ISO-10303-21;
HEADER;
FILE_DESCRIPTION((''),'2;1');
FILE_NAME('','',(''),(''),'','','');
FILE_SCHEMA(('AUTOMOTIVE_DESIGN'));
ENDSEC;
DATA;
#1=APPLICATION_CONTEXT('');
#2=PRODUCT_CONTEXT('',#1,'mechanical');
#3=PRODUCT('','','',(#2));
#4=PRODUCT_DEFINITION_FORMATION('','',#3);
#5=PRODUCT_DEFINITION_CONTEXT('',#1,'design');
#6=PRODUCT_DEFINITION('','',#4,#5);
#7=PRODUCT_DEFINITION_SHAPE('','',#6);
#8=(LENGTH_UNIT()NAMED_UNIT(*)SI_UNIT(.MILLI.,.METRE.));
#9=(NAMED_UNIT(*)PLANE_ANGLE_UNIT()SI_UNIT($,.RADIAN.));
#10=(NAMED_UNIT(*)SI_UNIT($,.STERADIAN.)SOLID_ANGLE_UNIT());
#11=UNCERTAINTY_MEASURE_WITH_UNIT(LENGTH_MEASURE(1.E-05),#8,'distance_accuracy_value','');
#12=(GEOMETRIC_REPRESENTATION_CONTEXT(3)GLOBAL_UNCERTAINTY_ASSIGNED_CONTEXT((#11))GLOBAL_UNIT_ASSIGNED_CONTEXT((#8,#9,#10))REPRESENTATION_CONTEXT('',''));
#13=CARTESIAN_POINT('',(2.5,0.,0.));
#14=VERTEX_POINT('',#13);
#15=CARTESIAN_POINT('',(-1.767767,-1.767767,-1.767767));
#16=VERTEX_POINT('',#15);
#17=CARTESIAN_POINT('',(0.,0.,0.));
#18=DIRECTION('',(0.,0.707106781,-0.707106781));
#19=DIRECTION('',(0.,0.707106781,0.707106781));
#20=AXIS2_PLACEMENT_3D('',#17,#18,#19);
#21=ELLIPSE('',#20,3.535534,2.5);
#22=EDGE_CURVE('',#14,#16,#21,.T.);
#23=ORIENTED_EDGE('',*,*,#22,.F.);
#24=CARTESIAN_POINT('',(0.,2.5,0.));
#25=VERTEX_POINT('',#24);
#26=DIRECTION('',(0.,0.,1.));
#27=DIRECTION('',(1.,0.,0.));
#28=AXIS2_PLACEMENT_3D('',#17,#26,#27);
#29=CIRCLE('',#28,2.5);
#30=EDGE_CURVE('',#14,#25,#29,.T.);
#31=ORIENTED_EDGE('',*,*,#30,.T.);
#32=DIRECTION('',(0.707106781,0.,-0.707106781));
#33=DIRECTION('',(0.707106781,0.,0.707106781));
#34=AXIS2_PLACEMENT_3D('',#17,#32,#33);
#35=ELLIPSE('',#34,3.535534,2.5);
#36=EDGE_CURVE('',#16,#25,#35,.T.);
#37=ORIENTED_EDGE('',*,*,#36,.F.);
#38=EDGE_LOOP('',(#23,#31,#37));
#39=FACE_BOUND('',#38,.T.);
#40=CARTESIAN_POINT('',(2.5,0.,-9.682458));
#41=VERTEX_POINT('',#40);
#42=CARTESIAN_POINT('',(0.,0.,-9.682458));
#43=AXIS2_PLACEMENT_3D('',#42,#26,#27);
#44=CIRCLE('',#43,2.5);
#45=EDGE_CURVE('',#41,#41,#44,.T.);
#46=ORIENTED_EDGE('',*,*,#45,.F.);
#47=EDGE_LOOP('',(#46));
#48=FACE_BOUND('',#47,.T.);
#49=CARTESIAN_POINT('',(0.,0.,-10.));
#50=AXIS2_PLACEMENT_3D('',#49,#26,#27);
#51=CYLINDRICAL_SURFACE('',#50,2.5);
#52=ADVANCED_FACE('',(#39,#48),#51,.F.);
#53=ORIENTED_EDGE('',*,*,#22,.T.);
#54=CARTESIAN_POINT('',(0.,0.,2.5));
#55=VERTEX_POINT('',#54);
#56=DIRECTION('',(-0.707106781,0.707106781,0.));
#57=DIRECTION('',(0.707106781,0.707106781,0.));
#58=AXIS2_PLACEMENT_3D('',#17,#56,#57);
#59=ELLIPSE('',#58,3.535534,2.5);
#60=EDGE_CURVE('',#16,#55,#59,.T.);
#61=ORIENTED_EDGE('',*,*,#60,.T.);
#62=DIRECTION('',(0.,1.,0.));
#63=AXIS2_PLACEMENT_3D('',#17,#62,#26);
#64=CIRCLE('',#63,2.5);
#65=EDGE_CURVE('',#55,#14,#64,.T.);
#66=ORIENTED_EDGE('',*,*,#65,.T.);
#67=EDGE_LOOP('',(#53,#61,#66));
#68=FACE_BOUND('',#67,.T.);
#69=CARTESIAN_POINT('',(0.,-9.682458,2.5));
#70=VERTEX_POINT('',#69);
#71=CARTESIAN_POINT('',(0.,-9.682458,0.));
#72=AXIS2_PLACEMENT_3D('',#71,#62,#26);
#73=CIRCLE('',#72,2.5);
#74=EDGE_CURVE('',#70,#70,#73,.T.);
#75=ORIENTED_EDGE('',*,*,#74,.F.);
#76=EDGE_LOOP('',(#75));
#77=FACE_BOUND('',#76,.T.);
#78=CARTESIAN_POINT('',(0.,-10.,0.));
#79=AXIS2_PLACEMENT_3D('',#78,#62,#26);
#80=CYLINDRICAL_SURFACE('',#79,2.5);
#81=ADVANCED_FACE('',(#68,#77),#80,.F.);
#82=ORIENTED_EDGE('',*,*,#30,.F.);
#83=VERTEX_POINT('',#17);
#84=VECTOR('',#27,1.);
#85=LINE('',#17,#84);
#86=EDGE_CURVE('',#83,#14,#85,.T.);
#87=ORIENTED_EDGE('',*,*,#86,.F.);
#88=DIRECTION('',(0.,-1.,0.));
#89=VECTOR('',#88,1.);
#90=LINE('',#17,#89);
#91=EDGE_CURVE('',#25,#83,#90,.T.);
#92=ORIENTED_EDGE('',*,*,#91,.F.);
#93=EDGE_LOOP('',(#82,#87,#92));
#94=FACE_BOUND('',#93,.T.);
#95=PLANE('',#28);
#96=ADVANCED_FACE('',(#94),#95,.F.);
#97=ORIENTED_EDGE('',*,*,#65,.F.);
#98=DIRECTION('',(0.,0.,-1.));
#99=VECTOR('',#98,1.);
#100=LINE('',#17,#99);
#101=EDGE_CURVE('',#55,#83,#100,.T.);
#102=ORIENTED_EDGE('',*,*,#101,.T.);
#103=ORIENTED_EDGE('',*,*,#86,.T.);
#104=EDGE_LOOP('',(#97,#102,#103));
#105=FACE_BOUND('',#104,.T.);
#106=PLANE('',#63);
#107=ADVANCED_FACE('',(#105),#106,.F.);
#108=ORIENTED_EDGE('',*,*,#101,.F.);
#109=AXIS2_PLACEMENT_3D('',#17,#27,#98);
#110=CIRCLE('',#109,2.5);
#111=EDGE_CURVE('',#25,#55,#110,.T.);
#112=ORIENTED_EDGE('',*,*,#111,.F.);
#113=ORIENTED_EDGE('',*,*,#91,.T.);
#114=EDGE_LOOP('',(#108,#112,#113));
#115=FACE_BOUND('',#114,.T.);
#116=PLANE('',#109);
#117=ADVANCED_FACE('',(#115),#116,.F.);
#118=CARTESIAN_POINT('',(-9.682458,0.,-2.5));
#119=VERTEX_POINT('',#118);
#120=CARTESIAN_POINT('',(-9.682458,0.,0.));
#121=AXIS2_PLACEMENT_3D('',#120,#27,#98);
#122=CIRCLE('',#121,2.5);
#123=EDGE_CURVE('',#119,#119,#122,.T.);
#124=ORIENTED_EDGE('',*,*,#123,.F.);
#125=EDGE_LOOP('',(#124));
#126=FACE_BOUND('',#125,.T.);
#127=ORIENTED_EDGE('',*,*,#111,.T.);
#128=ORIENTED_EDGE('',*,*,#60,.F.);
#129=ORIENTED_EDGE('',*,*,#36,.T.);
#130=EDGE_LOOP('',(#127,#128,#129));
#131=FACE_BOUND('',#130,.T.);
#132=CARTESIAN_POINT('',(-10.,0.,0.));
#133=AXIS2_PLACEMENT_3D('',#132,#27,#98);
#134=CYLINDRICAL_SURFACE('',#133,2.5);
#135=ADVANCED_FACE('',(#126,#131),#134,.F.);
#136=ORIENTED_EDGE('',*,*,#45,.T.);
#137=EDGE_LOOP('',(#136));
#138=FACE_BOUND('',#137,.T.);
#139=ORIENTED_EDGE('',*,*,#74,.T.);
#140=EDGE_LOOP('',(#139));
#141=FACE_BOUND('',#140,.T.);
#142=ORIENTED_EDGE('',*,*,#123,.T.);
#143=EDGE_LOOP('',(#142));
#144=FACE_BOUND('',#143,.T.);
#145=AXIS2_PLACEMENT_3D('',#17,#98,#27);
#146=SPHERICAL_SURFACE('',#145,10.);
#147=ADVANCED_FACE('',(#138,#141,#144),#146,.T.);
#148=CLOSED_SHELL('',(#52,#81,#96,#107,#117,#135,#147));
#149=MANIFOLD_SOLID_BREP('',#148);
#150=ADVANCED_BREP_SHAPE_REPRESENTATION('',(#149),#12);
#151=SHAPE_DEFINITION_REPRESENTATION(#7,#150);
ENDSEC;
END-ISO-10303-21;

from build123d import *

# Parameters (mm, degrees)
SKETCH_2_R          = 2.5
CUT_EXTRUDE_1_DEPTH = 18.320508076
SKETCH_3_R          = 2.5
CUT_EXTRUDE_2_DEPTH = 18.320508076
SKETCH_4_R          = 2.5
CUT_EXTRUDE_3_DEPTH = 18.320508076


with BuildPart() as part:
    # 草图1 → 旋转1 (revolve)
    with BuildSketch(Plane(origin=(0, 0, 0), x_dir=(1, 0, 0), z_dir=(0, 1, 0))):
        with BuildLine():
            Line((0, 10), (0, -10))
            ThreePointArc((0, -10), (10, 0), (0, 10))
        make_face()
    revolve(axis=Axis((0, 0, -16.747658197), (0, 0, 1)))

    # 草图2 → 切除-拉伸1 (cut, through all)
    with BuildSketch(Plane(origin=(0, 0, 0), x_dir=(1, 0, 0), z_dir=(0, 1, 0))):
        with Locations(Location((0, 0, 0), (0, 0, 270))):
            Circle(SKETCH_2_R)
    extrude(amount=-CUT_EXTRUDE_1_DEPTH, mode=Mode.SUBTRACT)

    # 草图3 → 切除-拉伸2 (cut, through all)
    with BuildSketch(Plane(origin=(0, 0, 0), x_dir=(0, 0, -1), z_dir=(1, 0, 0))):
        Circle(SKETCH_3_R)
    extrude(amount=-CUT_EXTRUDE_2_DEPTH, mode=Mode.SUBTRACT)

    # 草图4 → 切除-拉伸3 (cut, through all)
    with BuildSketch(Plane.XY):
        Circle(SKETCH_4_R)
    extrude(amount=-CUT_EXTRUDE_3_DEPTH, mode=Mode.SUBTRACT)


solid = part.part
